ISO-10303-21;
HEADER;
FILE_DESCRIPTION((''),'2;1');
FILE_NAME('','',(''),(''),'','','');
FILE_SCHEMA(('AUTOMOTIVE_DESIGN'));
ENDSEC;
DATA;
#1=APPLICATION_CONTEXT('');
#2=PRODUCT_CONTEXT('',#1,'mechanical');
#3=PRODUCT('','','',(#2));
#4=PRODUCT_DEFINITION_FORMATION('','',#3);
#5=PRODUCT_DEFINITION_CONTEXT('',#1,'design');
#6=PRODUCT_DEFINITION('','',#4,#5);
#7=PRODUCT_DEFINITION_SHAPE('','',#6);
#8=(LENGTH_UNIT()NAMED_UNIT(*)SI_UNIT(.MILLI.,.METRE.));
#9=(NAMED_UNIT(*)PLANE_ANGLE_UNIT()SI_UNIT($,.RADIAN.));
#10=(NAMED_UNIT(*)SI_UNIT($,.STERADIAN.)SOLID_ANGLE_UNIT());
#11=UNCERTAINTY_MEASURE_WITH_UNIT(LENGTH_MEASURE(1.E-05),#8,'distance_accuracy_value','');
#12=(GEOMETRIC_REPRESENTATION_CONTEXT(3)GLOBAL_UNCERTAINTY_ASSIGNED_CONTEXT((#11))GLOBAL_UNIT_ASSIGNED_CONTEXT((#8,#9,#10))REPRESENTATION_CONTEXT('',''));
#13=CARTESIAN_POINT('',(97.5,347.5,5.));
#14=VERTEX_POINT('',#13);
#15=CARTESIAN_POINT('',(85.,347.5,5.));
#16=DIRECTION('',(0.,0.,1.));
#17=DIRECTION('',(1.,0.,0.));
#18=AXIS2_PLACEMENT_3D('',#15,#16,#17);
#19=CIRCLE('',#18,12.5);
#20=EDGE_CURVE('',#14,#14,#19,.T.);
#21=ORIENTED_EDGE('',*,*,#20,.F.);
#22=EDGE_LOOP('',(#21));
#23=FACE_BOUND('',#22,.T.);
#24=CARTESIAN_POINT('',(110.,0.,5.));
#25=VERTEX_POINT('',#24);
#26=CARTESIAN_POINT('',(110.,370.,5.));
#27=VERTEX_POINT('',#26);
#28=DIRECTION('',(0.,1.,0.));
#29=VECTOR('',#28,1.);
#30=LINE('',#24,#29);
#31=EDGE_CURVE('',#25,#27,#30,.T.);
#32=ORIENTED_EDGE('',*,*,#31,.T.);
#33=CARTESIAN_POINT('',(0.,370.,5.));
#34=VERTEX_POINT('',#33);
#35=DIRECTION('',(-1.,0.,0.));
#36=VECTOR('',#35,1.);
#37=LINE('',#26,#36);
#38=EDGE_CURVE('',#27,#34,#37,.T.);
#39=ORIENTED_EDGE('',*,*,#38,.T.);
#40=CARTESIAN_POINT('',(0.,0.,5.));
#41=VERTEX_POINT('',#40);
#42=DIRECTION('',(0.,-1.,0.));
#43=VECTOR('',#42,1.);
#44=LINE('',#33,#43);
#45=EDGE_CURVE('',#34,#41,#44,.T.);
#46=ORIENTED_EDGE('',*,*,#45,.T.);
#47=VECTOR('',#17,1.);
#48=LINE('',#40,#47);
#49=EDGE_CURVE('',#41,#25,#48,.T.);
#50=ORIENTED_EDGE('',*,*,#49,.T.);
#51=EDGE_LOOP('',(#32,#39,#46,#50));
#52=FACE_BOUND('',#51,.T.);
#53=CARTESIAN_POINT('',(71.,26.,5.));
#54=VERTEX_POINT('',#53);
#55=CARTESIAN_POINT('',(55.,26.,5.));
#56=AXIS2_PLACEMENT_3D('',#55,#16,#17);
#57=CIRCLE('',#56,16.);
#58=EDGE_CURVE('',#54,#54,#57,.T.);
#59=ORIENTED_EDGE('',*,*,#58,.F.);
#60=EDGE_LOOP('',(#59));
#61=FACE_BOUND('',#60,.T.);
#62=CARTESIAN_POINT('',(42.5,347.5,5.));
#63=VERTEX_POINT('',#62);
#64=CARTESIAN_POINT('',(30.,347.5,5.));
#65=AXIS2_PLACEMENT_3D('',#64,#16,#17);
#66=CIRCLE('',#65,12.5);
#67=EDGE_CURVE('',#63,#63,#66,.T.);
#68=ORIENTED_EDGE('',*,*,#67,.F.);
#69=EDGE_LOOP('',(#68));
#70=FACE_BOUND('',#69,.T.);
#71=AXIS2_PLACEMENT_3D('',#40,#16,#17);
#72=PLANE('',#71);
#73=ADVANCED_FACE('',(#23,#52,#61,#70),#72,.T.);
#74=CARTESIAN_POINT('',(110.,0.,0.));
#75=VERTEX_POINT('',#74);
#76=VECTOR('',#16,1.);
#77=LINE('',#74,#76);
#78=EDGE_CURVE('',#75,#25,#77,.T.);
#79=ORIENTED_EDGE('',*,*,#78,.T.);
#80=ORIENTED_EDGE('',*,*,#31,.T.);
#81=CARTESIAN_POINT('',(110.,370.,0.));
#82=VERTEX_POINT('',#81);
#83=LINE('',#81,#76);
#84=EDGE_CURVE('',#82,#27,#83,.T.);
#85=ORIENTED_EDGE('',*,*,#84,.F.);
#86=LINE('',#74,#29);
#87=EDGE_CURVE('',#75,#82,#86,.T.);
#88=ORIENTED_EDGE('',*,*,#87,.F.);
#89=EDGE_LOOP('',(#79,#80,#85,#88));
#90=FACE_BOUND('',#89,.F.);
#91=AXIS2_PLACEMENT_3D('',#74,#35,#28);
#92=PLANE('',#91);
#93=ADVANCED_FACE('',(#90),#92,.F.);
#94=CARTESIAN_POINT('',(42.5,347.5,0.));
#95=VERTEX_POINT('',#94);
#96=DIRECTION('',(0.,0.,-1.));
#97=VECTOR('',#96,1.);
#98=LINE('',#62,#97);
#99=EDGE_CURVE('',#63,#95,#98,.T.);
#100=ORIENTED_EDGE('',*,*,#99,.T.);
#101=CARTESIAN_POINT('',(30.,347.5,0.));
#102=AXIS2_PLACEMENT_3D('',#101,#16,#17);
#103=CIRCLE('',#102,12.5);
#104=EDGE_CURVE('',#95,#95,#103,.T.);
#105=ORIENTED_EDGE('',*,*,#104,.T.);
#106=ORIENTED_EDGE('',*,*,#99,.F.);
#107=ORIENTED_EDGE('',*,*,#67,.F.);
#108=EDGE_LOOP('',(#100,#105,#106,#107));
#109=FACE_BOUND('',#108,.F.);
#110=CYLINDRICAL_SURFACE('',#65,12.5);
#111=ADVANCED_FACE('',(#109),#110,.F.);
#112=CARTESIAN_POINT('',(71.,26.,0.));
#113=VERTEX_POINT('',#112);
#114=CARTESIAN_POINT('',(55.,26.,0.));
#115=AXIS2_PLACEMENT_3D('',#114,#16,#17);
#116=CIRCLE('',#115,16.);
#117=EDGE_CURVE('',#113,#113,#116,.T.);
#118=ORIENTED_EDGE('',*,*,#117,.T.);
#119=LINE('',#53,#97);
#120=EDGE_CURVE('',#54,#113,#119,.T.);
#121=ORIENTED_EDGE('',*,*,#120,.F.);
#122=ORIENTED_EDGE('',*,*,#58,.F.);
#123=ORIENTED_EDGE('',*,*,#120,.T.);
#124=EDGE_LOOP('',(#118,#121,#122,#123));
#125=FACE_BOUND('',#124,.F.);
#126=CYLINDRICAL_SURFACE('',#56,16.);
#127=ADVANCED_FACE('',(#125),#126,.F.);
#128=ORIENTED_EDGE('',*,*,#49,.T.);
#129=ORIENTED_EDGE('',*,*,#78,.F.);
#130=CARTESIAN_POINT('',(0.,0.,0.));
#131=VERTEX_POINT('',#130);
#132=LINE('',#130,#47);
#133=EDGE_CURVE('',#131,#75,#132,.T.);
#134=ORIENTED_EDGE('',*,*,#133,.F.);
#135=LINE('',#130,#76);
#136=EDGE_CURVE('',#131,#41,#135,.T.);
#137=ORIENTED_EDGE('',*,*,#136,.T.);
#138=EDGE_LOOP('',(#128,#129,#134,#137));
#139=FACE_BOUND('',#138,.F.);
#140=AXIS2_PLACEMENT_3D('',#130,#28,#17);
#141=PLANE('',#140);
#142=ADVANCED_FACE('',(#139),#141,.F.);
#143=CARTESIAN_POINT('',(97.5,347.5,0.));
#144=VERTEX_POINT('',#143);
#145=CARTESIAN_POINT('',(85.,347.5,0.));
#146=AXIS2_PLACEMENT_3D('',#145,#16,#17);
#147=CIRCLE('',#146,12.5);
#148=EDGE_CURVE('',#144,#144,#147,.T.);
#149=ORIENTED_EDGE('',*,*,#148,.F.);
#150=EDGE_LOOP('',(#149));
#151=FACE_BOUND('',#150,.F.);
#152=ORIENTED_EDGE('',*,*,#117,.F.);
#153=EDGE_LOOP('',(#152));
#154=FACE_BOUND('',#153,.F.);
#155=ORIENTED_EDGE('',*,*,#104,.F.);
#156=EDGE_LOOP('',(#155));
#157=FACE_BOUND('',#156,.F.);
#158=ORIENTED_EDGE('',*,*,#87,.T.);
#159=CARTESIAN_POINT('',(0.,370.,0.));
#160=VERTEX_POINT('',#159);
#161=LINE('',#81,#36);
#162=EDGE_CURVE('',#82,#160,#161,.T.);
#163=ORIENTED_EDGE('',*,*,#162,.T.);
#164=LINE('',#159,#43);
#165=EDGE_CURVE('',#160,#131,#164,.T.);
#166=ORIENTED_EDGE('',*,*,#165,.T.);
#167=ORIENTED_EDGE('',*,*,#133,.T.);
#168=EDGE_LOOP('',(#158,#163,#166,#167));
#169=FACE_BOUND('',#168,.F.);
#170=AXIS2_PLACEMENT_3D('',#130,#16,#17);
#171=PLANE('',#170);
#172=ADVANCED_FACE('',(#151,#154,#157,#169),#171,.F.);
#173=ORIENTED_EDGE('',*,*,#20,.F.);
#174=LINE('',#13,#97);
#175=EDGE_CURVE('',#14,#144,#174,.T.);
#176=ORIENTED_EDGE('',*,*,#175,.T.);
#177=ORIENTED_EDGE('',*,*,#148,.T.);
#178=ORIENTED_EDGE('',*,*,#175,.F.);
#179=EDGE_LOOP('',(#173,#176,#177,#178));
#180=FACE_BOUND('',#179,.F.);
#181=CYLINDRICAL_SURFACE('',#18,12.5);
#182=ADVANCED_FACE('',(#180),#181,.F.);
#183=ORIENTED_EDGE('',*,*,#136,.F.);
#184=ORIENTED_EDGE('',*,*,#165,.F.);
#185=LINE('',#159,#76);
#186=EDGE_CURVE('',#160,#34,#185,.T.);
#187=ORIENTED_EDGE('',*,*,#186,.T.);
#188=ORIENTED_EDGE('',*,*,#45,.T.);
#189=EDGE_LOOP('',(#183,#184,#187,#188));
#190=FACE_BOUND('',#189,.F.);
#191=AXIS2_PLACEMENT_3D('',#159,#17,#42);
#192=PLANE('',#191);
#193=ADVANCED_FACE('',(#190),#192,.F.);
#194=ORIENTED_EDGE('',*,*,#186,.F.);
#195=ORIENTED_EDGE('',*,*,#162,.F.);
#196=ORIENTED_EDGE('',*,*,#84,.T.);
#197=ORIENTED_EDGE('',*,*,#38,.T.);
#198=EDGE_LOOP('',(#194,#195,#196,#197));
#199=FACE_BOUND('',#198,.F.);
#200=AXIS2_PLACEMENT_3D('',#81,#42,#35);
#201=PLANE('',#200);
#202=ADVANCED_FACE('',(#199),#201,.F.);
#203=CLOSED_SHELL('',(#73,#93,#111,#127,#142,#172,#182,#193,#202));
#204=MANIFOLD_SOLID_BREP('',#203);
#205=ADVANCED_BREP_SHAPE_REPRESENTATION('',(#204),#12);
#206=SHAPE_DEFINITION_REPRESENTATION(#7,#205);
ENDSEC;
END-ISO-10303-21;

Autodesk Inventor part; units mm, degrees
ref_plane "YZ Plane" through (0, 0, 0) normal (1, 0, 0) x (0, 1, 0)
ref_plane "XZ Plane" through (0, 0, 0) normal (0, 1, 0) x (-1, 0, 0)
ref_plane "XY Plane" through (0, 0, 0) normal (0, 0, 1) x (1, 0, 0)
sketch "Sketch1" plane through (0, 0, 0) normal (0, 0, 1) x (1, 0, 0)
  line L0 (0, 0) -> (110, 0)
  line L1 (110, 0) -> (110, 370)
  line L2 (110, 370) -> (0, 370)
  line L3 (0, 370) -> (0, 0)
  dimension "d0" = 110
  dimension "d1" = 370
extrude "Extrusion1" add sketch "Sketch1" along normal blind 5
sketch "Sketch2" plane through (0, 0, 5) normal (0, 0, 1) x (1, 0, 0)
  line L0 (110, 370) -> (0, 370) construction
  line L1 (55, 370) -> (55, 0) construction
  line L2 (0, 0) -> (110, 0) construction
  circle A0 centre (55, 26) radius 16
  circle A1 centre (30, 347.5) radius 12.5
  circle A2 centre (85, 347.5) radius 12.5
  dimension "d4" = 32
  dimension "d7" = 26
  dimension "d13" = 25
  dimension "d14" = 25
  dimension "d15" = 55
  dimension "d16" = 50
  dimension "d17" = 22.5
extrude "Extrusion2" cut sketch "Sketch2" against normal blind 5
equation "\"d0\" = tankw + 2 * pvct"
equation "\"d1\" = tankh"
equation "\"d2\" = pvct"
equation "\"d4\" = diaair"
equation "\"d7\" = holeh"
equation "\"d13\" = diawater"
equation "\"d14\" = diaoverflow"
equation "\"d15\" = mindist - 0.5 * diawater - 0.5 * diaoverflow"
equation "\"d16\" = diawater + diaoverflow"
equation "\"d17\" = distfromedge + 0.5 * diawater"
equation "\"d10\" = pvct"
equation "\"lcsd\" = 19.05"
equation "\"lcwd1\" = 25"
equation "\"lcwd2\" = 34"
equation "\"lch1\" = 39"
equation "\"lcwd3\" = 43"
equation "\"dia1\" = 6"
equation "\"td\" = 18"
equation "\"bhh\" = 6"
equation "\"sw\" = 25"
equation "\"sh\" = 31"
equation "\"spacert\" = 2"
equation "\"pvct\" = 5"
equation "\"tankh\" = 370"
equation "\"tankl\" = 379"
equation "\"dia3\" = 8"
equation "\"dia4\" = 11"
equation "\"play\" = 9"
equation "\"holeh\" = 26"
equation "\"surroundt\" = 5"
equation "\"slack\" = 0.5"
equation "\"play2\" = 3"
equation "\"diawater\" = 25"
equation "\"diaph\" = 32"
equation "\"diaair\" = 32"
equation "\"diaoverflow\" = 25"
equation "\"diacucl\" = 32"
equation "\"diasurroundhole\" = 42"
equation "\"diagrate\" = 12"
equation "\"gratespacing\" = 12.02082"
equation "\"bottomdist\" = 9.6355"
equation "\"sidedist\" = 13.9375"
equation "\"diahcl\" = 32"
equation "\"bracketwtop\" = 6"
equation "\"bracketwbottom\" = 6"
equation "\"nett\" = 1"
equation "\"nethole\" = 16"
equation "\"netside\" = 3.5"
equation "\"nettop\" = 7"
equation "\"netholespacing\" = 2"
equation "\"diaetape\" = 32"
equation "\"tankw\" = 100"
equation "\"mindist\" = 80"
equation "\"distfromedge\" = 10"
properties part number "tank_back_2" material "PVC-Piping"
